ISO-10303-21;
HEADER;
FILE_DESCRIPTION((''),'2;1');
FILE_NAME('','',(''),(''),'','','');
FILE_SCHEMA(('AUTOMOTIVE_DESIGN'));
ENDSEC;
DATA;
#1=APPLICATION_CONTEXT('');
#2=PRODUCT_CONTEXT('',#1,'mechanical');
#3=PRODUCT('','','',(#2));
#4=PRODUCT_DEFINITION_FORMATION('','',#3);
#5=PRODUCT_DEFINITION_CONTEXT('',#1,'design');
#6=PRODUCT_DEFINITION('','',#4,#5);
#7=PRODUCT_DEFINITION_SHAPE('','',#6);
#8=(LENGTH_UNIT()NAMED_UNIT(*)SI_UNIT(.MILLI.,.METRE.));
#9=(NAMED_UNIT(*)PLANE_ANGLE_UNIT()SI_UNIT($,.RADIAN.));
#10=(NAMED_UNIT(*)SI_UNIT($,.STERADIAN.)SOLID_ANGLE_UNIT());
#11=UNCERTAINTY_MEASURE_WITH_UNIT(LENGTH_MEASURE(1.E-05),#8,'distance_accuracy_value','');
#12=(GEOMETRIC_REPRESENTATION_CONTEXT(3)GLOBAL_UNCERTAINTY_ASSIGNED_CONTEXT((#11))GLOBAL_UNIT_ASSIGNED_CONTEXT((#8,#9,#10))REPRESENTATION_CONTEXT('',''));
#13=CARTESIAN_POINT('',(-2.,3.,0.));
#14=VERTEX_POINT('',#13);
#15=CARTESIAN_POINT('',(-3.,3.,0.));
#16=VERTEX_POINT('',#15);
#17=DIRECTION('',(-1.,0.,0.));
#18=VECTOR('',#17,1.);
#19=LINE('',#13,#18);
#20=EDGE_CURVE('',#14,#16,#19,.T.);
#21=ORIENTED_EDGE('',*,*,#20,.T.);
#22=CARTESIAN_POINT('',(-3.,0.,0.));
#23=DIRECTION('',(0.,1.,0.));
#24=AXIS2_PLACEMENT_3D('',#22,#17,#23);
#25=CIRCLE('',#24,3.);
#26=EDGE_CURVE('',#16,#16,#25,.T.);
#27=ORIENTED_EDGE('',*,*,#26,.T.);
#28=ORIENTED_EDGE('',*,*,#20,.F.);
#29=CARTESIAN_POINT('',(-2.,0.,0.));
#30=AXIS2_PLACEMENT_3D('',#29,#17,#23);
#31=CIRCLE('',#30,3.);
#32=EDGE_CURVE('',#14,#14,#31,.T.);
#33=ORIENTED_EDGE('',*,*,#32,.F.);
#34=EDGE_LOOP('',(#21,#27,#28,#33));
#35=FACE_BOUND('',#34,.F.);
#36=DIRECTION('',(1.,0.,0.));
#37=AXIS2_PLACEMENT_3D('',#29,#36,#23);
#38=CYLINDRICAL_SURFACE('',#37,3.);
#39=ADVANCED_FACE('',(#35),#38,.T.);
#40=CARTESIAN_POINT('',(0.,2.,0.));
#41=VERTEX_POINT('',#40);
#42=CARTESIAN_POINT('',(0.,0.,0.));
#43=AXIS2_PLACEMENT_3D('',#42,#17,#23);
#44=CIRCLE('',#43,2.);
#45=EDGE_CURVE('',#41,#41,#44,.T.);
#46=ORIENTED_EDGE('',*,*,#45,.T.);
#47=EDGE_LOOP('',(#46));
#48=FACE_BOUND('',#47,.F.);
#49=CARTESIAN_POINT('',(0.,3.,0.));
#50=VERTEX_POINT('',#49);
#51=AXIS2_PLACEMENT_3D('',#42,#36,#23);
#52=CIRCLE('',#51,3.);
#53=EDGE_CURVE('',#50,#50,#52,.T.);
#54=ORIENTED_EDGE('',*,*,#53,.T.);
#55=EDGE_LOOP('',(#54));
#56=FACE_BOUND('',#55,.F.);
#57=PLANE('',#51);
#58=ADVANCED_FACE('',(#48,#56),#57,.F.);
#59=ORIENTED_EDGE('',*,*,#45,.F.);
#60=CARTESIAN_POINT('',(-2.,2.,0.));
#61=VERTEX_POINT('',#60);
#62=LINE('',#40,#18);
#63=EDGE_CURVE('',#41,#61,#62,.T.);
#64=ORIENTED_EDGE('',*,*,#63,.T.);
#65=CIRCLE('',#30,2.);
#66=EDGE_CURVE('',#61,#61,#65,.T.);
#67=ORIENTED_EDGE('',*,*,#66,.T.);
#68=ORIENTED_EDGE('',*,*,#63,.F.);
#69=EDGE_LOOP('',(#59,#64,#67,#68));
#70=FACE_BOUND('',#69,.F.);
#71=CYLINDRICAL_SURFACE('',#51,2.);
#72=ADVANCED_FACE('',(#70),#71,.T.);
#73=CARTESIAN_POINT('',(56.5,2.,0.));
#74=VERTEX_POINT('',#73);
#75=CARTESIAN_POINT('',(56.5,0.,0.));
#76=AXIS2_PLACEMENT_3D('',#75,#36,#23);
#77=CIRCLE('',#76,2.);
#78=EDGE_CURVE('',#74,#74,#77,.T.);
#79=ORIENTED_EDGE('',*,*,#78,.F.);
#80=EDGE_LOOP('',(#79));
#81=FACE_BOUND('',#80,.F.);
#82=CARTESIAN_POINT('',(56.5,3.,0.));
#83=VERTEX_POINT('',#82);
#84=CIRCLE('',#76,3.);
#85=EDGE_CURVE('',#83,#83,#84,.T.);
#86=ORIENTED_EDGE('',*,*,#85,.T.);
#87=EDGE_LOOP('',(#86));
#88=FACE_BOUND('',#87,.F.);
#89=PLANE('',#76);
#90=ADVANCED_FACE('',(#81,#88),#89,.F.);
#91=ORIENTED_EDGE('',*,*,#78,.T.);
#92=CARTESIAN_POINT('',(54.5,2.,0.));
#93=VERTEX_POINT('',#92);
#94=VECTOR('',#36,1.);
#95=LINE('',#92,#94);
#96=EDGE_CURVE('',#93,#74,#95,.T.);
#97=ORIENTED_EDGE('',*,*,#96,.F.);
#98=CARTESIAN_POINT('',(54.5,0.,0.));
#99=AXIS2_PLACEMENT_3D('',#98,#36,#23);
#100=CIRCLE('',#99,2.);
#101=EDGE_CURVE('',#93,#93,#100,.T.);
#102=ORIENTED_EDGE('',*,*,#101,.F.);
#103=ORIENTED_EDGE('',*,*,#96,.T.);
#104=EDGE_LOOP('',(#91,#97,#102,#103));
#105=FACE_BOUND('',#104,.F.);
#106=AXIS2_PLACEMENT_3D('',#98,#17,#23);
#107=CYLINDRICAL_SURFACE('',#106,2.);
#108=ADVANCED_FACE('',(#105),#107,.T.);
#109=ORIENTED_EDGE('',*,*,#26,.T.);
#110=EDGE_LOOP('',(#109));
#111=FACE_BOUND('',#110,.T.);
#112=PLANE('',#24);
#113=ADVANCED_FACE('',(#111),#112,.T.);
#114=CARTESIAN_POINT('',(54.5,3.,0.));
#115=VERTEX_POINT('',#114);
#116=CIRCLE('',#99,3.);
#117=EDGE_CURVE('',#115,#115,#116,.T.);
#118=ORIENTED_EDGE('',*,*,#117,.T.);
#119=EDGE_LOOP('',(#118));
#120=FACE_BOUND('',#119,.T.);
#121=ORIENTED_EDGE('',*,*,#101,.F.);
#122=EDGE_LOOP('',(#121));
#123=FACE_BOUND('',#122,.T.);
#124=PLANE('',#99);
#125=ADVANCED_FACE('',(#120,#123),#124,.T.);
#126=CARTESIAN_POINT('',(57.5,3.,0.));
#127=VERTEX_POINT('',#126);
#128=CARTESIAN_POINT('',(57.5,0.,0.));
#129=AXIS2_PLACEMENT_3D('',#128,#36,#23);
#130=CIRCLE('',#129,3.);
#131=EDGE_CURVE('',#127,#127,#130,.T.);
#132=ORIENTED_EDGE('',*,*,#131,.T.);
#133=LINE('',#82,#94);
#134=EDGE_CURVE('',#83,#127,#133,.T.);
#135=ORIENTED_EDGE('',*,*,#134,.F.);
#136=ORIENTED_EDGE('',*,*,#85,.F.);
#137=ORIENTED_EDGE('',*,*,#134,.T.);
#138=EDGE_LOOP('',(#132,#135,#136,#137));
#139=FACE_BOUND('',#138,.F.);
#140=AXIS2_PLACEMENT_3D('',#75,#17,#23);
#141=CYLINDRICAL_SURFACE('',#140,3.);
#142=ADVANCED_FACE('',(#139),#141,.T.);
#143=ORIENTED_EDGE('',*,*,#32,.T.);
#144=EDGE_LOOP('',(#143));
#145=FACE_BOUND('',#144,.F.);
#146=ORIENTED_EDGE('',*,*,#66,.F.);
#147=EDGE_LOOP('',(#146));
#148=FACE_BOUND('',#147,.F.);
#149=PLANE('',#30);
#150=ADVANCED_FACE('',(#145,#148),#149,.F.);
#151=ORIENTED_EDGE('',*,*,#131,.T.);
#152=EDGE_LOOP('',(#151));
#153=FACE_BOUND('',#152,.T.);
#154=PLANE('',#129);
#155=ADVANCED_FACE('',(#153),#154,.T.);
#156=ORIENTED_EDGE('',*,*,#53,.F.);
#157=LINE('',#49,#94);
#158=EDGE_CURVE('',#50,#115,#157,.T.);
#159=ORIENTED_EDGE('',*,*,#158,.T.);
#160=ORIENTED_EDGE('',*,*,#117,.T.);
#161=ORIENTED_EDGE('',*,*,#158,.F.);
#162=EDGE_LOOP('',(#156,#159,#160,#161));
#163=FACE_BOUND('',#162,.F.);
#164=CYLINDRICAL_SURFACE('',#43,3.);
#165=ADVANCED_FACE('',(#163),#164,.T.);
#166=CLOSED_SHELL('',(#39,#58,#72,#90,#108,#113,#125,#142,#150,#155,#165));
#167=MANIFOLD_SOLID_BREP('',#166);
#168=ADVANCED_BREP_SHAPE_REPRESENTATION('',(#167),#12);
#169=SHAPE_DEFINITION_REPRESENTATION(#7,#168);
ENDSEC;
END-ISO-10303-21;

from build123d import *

# Parameters (mm, degrees)
SKETCH_R     = 3
PAD_DEPTH    = 54.5
SKETCH001_R  = 2
PAD001_DEPTH = 2
SKETCH002_R  = 3
PAD002_DEPTH = 1
SKETCH003_R  = 2
PAD003_DEPTH = 2
SKETCH004_R  = 3
PAD004_DEPTH = 1


with BuildPart() as part:
    # Sketch → Pad (new body)
    with BuildSketch(Plane.YZ):
        Circle(SKETCH_R)
    extrude(amount=PAD_DEPTH)

    # Sketch001 (on Face3 of Pad) → Pad001 (join)
    with BuildSketch(Plane.YZ.offset(54.5)):
        Circle(SKETCH001_R)
    extrude(amount=PAD001_DEPTH)

    # Sketch002 (on Face5 of Pad001) → Pad002 (join)
    with BuildSketch(Plane.YZ.offset(56.5)):
        Circle(SKETCH002_R)
    extrude(amount=PAD002_DEPTH)

    # Sketch003 (on Face7 of Pad002) → Pad003 (join)
    with BuildSketch(Plane(origin=(0, 0, 0), x_dir=(0, 1, 0), z_dir=(-1, 0, 0))):
        Circle(SKETCH003_R)
    extrude(amount=PAD003_DEPTH)

    # Sketch004 (on Face9 of Pad003) → Pad004 (join)
    with BuildSketch(Plane(origin=(-2, 0, 0), x_dir=(0, 1, 0), z_dir=(-1, 0, 0))):
        Circle(SKETCH004_R)
    extrude(amount=PAD004_DEPTH)


solid = part.part
